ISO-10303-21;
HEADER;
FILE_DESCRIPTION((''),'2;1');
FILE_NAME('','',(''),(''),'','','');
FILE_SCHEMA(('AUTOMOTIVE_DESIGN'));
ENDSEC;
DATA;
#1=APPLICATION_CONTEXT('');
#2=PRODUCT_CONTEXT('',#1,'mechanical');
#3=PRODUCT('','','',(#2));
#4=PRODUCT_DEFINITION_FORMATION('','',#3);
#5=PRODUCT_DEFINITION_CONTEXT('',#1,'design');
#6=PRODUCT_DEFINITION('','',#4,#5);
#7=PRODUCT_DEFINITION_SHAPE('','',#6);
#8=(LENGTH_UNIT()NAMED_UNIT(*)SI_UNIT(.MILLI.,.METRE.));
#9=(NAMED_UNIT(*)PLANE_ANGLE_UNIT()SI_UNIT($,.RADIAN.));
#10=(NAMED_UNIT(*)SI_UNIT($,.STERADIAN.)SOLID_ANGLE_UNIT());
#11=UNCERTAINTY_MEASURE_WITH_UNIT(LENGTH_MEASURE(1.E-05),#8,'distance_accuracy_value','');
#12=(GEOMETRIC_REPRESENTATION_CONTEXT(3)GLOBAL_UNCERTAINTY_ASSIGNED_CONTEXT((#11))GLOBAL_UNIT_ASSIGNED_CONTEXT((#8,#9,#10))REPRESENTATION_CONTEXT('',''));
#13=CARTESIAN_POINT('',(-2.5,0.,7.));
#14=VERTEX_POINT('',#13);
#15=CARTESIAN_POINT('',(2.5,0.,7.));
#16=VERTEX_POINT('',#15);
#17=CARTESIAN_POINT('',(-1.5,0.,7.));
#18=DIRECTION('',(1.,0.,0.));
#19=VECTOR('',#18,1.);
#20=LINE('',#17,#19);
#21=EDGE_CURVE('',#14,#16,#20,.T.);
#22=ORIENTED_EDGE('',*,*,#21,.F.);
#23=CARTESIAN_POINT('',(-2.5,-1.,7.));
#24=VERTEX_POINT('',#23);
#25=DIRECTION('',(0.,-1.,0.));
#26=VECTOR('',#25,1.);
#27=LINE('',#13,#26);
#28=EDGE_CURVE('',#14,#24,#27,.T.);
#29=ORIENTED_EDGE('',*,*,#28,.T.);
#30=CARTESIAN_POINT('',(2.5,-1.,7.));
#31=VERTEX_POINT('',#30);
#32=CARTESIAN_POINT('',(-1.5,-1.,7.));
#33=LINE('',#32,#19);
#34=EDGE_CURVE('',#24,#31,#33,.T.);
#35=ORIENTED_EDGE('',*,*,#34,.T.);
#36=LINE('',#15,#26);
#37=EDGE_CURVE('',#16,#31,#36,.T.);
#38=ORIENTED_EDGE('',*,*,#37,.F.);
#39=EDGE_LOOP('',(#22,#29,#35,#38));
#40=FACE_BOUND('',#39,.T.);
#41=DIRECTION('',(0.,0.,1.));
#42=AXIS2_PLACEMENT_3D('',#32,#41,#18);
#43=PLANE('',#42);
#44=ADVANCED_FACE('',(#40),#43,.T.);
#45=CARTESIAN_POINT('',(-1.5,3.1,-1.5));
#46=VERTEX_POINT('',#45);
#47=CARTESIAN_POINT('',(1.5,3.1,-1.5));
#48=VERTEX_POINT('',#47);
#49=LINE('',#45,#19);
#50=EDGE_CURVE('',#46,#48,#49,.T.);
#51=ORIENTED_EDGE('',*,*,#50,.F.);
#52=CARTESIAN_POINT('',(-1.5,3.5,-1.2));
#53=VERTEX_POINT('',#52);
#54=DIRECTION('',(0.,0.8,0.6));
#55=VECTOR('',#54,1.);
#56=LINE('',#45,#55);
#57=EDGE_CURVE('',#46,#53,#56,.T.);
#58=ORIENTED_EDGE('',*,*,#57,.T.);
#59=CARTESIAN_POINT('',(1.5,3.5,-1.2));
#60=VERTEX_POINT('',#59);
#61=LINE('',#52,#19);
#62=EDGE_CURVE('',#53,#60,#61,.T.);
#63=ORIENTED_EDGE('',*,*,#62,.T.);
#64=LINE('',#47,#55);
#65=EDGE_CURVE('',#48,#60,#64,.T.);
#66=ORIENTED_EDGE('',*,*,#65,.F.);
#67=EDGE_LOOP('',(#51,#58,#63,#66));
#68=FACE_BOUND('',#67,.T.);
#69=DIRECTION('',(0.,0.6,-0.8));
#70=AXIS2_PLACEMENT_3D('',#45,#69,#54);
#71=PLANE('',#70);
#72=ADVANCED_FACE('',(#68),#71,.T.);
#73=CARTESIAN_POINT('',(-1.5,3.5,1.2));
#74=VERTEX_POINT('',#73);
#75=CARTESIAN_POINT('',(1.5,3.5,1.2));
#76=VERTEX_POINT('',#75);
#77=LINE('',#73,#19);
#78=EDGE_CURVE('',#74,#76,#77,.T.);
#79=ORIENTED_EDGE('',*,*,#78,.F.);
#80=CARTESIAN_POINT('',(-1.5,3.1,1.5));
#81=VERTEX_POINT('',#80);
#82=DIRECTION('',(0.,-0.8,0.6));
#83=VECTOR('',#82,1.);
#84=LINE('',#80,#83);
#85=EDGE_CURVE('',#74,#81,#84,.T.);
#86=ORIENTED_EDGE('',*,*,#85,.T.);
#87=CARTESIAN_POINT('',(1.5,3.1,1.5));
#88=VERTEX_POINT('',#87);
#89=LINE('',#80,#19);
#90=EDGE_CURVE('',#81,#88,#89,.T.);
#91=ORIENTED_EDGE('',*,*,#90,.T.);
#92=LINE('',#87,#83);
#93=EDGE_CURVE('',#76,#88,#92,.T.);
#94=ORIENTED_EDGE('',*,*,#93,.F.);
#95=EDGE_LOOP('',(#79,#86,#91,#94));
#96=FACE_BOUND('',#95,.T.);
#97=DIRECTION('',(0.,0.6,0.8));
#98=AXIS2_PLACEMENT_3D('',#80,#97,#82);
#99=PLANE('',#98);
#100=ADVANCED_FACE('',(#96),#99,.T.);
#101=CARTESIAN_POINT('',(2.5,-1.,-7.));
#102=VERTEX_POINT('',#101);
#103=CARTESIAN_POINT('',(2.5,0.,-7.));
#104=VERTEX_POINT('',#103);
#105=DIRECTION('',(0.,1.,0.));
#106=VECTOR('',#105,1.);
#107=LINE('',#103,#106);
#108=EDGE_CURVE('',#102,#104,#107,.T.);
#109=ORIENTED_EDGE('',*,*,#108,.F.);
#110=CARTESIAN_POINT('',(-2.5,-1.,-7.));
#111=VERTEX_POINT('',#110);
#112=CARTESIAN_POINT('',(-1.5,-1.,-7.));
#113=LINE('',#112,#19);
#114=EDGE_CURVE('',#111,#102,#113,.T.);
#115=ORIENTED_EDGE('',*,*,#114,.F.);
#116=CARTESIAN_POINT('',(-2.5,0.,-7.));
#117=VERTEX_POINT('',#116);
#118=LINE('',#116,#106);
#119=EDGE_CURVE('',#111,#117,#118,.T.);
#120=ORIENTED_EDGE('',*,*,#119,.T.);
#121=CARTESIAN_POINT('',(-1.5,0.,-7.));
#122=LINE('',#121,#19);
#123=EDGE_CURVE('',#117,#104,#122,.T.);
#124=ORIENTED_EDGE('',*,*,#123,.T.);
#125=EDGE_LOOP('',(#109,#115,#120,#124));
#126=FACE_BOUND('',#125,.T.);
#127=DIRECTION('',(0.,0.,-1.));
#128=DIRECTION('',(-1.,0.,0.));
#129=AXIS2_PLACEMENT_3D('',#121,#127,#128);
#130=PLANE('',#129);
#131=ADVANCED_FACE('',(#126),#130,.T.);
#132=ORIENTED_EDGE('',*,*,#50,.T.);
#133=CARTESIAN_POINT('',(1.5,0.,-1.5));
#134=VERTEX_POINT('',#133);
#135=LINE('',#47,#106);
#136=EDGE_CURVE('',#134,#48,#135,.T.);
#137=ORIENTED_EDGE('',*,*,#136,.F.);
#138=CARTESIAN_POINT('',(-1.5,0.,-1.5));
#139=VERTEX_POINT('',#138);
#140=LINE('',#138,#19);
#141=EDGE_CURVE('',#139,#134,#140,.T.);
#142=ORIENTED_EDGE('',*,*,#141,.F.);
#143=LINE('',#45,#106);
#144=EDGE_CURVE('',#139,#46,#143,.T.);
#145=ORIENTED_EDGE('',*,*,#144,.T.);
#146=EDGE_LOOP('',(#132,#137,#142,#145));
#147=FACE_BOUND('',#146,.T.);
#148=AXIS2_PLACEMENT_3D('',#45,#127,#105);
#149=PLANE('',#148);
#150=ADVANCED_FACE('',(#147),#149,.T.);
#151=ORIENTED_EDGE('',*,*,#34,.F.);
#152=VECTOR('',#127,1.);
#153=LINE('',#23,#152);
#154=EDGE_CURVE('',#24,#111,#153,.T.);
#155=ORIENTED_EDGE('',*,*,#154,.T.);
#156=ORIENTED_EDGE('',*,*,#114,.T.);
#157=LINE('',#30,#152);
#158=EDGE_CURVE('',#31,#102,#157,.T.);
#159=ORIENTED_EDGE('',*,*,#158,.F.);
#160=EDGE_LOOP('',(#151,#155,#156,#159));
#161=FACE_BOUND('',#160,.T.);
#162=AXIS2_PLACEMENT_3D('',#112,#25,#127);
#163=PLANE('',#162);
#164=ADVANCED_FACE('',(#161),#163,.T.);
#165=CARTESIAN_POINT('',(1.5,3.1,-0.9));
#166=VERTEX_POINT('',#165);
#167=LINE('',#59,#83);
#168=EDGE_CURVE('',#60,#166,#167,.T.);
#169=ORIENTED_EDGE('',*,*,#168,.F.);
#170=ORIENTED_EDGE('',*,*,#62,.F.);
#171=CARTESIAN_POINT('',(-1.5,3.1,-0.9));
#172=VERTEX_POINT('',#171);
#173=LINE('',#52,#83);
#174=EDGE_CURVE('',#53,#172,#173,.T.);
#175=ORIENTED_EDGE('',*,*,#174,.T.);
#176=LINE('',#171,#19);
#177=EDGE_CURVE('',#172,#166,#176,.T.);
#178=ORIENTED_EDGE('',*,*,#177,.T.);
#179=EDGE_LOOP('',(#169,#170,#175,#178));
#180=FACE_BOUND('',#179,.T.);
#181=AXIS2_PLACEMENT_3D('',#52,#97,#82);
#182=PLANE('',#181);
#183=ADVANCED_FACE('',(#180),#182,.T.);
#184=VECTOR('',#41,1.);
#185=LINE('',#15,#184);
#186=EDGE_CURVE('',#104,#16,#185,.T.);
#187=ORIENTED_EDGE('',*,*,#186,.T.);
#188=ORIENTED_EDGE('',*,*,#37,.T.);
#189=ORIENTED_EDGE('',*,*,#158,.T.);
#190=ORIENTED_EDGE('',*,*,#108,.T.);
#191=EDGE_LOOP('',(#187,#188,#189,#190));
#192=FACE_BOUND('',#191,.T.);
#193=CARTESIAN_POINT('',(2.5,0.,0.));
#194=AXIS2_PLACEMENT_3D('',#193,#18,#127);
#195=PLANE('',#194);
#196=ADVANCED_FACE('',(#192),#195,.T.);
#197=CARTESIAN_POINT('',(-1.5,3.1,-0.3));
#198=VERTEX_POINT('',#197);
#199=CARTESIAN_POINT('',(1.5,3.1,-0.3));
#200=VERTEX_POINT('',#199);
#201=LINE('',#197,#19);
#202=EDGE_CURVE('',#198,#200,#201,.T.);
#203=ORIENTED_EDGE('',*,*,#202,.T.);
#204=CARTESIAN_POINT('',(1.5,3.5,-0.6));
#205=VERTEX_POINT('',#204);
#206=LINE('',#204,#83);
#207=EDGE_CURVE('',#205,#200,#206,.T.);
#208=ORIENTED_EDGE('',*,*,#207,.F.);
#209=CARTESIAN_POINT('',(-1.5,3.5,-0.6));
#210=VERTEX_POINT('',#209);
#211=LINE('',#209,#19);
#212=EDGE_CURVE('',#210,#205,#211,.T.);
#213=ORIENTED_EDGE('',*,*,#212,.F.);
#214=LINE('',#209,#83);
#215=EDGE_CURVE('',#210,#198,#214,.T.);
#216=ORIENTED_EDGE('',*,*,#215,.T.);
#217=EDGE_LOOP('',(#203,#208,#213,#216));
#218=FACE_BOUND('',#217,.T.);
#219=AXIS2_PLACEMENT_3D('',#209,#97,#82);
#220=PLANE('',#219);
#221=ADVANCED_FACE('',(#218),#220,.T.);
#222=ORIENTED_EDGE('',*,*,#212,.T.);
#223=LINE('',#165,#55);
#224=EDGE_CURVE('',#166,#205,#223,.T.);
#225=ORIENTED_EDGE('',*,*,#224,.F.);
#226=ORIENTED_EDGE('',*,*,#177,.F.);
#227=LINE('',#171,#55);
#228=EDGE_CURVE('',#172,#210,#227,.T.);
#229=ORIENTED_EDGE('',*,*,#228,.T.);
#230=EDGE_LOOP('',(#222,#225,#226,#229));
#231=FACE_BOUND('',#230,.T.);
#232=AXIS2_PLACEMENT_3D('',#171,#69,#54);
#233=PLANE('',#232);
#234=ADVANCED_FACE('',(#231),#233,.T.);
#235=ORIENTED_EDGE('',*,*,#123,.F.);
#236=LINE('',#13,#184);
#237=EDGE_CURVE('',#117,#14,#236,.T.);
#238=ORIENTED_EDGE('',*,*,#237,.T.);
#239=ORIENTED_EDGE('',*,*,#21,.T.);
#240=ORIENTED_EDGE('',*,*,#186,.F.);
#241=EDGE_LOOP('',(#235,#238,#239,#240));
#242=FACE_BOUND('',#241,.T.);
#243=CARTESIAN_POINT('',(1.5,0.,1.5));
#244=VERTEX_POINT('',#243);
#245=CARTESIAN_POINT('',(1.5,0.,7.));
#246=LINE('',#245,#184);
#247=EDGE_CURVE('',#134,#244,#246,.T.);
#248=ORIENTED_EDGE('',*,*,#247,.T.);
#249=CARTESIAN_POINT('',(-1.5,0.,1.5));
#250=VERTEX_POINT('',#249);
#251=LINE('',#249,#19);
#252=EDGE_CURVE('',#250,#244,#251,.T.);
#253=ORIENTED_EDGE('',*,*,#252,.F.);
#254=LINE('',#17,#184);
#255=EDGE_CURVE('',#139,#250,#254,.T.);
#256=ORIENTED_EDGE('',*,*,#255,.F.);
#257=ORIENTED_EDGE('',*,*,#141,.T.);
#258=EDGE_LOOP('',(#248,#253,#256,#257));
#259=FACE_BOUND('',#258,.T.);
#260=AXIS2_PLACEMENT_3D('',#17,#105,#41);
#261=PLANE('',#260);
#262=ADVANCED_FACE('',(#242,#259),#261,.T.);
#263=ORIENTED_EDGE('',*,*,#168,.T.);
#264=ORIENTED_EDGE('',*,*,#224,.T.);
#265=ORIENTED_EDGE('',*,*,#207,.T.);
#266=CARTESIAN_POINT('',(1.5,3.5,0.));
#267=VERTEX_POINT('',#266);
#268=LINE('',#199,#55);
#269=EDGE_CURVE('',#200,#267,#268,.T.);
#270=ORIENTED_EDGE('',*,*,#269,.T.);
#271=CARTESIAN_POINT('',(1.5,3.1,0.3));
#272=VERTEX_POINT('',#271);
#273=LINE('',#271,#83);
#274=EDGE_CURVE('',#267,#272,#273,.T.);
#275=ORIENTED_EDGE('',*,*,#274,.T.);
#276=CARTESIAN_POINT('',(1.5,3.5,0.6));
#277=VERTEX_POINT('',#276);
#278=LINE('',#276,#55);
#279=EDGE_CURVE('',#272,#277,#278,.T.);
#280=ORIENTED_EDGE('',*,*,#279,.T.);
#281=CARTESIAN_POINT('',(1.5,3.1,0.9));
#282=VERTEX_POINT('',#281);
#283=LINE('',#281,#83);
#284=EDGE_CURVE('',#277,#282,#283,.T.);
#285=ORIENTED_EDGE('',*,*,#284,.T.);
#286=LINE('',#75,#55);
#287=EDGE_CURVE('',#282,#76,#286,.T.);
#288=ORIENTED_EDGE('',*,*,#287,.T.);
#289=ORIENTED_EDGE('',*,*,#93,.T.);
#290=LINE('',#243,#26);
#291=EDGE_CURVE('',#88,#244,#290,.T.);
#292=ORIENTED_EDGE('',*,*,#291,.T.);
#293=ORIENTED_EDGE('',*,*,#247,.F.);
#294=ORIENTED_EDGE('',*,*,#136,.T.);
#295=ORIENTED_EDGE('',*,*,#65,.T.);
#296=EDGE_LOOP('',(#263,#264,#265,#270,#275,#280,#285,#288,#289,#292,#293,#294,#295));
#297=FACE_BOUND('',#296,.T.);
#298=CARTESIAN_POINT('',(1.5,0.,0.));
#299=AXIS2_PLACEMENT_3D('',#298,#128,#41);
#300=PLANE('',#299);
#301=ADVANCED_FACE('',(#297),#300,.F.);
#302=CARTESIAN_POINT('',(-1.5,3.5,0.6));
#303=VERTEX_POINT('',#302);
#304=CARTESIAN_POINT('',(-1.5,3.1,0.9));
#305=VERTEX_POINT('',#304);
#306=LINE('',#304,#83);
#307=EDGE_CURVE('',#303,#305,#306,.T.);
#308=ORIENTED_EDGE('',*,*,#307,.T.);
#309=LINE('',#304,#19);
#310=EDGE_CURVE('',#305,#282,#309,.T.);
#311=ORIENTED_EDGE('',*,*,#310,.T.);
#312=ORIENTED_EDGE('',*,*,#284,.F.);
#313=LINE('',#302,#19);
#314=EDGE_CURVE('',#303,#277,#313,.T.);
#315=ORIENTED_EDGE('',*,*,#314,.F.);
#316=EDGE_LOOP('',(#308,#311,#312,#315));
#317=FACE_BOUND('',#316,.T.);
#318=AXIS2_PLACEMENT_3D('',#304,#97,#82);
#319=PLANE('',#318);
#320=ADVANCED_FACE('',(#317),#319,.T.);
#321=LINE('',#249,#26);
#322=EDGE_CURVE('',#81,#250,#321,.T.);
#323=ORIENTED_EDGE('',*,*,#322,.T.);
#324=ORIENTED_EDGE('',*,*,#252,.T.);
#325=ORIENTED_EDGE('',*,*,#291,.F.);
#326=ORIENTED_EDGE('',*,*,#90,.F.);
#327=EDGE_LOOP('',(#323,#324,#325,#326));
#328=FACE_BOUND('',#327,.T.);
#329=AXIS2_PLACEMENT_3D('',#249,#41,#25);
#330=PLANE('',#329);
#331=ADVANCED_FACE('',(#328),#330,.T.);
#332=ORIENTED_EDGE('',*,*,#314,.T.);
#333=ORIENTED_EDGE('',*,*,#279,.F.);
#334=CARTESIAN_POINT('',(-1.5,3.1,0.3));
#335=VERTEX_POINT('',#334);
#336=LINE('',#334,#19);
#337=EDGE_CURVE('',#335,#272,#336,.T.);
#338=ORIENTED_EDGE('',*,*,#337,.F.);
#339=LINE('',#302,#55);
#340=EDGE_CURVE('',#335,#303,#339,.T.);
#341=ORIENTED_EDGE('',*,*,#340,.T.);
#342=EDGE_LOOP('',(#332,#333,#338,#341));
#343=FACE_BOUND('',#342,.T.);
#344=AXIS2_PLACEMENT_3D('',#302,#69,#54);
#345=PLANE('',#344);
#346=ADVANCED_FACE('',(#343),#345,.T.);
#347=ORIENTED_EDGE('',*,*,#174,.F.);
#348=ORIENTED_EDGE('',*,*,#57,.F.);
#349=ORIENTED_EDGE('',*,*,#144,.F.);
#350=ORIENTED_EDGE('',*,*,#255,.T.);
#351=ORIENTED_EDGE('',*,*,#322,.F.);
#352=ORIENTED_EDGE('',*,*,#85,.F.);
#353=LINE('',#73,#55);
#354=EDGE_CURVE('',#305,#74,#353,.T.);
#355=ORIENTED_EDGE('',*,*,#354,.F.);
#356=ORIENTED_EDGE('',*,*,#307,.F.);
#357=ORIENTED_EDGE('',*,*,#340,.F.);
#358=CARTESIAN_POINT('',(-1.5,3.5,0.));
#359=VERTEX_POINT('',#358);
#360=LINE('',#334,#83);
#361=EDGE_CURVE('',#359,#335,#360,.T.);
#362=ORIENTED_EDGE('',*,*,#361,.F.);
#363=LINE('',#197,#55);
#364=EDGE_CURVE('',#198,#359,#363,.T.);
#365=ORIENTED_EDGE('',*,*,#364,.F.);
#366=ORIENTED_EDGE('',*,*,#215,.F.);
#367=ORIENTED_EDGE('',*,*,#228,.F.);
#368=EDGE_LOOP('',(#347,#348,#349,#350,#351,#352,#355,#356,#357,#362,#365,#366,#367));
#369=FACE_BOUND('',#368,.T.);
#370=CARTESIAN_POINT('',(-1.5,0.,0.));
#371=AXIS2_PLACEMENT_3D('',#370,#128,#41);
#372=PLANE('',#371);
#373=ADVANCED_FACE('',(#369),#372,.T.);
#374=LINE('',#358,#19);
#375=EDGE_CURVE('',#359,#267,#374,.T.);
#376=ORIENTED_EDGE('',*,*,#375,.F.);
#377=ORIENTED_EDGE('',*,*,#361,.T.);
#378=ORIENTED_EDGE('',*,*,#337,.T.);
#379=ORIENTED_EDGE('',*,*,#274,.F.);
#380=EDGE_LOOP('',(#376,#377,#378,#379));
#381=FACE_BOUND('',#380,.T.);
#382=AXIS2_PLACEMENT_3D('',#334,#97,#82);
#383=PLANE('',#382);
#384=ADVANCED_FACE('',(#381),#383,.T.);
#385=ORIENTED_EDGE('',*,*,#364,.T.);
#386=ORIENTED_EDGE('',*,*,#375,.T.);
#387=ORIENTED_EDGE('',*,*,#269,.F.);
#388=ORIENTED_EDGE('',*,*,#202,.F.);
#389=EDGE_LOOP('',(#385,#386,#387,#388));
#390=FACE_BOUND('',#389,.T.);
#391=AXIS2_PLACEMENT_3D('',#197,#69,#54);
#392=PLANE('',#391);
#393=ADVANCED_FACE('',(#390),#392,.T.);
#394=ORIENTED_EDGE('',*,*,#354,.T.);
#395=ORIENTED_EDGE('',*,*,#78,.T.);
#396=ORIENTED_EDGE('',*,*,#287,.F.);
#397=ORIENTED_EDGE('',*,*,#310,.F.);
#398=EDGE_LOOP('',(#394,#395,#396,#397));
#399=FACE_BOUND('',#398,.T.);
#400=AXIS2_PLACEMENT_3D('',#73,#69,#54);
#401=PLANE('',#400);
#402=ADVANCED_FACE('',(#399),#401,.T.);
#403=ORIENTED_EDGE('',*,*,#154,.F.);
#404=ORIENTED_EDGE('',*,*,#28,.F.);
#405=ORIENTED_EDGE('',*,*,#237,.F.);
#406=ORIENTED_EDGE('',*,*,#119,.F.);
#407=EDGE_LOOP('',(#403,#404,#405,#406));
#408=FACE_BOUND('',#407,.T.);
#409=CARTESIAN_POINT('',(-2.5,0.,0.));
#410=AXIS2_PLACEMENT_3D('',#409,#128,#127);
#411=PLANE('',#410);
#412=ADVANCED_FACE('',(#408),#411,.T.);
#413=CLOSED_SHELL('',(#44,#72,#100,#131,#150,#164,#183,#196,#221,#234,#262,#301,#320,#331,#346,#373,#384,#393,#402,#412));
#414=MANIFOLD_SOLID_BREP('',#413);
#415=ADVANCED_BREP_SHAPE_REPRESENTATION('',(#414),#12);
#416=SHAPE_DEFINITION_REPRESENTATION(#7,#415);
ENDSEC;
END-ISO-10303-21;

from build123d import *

# Parameters (mm, degrees)
BOSS_EXTRU_1_DEPTH      = 1.5
BOSS_EXTRU_1_DEPTH_BACK = 1.5
ESQUISSE2_W             = 14
ESQUISSE2_H             = 1
BOSS_EXTRU_2_DEPTH      = 1


with BuildPart() as part:
    # Esquisse1 → Boss.-Extru.1 (new, two sides: drawn at the far end of the back side and taken through both)
    with BuildSketch(Plane(origin=(0, 0, 0), x_dir=(0, 0, -1), z_dir=(1, 0, 0)).offset(-BOSS_EXTRU_1_DEPTH_BACK)):
        Polygon((-7, 0), (-1.5, 0), (-1.5, 3.1), (-1.2, 3.5), (-0.9, 3.1), (-0.6, 3.5), (-0.3, 3.1), (0, 3.5), (0.3, 3.1), (0.6, 3.5), (0.9, 3.1), (1.2, 3.5), (1.5, 3.1), (1.5, 0), (7, 0), (7, -1), (-7, -1), align=None)
    extrude(amount=BOSS_EXTRU_1_DEPTH + BOSS_EXTRU_1_DEPTH_BACK)

    # Esquisse2 → Boss.-Extru.2 (add)
    with BuildSketch(Plane(origin=(1.5, 0, 0), x_dir=(0, 0, -1), z_dir=(1, 0, 0))):
        with Locations((0, -0.5)):
            Rectangle(ESQUISSE2_W, ESQUISSE2_H)
    boss_extru_2 = extrude(amount=BOSS_EXTRU_2_DEPTH)

    # Symétrie1: Boss.-Extru.2 across plane
    add(boss_extru_2.mirror(Plane(origin=(0, 0, 0), x_dir=(0, 0, 1), z_dir=(1, 0, 0))))


solid = part.part
